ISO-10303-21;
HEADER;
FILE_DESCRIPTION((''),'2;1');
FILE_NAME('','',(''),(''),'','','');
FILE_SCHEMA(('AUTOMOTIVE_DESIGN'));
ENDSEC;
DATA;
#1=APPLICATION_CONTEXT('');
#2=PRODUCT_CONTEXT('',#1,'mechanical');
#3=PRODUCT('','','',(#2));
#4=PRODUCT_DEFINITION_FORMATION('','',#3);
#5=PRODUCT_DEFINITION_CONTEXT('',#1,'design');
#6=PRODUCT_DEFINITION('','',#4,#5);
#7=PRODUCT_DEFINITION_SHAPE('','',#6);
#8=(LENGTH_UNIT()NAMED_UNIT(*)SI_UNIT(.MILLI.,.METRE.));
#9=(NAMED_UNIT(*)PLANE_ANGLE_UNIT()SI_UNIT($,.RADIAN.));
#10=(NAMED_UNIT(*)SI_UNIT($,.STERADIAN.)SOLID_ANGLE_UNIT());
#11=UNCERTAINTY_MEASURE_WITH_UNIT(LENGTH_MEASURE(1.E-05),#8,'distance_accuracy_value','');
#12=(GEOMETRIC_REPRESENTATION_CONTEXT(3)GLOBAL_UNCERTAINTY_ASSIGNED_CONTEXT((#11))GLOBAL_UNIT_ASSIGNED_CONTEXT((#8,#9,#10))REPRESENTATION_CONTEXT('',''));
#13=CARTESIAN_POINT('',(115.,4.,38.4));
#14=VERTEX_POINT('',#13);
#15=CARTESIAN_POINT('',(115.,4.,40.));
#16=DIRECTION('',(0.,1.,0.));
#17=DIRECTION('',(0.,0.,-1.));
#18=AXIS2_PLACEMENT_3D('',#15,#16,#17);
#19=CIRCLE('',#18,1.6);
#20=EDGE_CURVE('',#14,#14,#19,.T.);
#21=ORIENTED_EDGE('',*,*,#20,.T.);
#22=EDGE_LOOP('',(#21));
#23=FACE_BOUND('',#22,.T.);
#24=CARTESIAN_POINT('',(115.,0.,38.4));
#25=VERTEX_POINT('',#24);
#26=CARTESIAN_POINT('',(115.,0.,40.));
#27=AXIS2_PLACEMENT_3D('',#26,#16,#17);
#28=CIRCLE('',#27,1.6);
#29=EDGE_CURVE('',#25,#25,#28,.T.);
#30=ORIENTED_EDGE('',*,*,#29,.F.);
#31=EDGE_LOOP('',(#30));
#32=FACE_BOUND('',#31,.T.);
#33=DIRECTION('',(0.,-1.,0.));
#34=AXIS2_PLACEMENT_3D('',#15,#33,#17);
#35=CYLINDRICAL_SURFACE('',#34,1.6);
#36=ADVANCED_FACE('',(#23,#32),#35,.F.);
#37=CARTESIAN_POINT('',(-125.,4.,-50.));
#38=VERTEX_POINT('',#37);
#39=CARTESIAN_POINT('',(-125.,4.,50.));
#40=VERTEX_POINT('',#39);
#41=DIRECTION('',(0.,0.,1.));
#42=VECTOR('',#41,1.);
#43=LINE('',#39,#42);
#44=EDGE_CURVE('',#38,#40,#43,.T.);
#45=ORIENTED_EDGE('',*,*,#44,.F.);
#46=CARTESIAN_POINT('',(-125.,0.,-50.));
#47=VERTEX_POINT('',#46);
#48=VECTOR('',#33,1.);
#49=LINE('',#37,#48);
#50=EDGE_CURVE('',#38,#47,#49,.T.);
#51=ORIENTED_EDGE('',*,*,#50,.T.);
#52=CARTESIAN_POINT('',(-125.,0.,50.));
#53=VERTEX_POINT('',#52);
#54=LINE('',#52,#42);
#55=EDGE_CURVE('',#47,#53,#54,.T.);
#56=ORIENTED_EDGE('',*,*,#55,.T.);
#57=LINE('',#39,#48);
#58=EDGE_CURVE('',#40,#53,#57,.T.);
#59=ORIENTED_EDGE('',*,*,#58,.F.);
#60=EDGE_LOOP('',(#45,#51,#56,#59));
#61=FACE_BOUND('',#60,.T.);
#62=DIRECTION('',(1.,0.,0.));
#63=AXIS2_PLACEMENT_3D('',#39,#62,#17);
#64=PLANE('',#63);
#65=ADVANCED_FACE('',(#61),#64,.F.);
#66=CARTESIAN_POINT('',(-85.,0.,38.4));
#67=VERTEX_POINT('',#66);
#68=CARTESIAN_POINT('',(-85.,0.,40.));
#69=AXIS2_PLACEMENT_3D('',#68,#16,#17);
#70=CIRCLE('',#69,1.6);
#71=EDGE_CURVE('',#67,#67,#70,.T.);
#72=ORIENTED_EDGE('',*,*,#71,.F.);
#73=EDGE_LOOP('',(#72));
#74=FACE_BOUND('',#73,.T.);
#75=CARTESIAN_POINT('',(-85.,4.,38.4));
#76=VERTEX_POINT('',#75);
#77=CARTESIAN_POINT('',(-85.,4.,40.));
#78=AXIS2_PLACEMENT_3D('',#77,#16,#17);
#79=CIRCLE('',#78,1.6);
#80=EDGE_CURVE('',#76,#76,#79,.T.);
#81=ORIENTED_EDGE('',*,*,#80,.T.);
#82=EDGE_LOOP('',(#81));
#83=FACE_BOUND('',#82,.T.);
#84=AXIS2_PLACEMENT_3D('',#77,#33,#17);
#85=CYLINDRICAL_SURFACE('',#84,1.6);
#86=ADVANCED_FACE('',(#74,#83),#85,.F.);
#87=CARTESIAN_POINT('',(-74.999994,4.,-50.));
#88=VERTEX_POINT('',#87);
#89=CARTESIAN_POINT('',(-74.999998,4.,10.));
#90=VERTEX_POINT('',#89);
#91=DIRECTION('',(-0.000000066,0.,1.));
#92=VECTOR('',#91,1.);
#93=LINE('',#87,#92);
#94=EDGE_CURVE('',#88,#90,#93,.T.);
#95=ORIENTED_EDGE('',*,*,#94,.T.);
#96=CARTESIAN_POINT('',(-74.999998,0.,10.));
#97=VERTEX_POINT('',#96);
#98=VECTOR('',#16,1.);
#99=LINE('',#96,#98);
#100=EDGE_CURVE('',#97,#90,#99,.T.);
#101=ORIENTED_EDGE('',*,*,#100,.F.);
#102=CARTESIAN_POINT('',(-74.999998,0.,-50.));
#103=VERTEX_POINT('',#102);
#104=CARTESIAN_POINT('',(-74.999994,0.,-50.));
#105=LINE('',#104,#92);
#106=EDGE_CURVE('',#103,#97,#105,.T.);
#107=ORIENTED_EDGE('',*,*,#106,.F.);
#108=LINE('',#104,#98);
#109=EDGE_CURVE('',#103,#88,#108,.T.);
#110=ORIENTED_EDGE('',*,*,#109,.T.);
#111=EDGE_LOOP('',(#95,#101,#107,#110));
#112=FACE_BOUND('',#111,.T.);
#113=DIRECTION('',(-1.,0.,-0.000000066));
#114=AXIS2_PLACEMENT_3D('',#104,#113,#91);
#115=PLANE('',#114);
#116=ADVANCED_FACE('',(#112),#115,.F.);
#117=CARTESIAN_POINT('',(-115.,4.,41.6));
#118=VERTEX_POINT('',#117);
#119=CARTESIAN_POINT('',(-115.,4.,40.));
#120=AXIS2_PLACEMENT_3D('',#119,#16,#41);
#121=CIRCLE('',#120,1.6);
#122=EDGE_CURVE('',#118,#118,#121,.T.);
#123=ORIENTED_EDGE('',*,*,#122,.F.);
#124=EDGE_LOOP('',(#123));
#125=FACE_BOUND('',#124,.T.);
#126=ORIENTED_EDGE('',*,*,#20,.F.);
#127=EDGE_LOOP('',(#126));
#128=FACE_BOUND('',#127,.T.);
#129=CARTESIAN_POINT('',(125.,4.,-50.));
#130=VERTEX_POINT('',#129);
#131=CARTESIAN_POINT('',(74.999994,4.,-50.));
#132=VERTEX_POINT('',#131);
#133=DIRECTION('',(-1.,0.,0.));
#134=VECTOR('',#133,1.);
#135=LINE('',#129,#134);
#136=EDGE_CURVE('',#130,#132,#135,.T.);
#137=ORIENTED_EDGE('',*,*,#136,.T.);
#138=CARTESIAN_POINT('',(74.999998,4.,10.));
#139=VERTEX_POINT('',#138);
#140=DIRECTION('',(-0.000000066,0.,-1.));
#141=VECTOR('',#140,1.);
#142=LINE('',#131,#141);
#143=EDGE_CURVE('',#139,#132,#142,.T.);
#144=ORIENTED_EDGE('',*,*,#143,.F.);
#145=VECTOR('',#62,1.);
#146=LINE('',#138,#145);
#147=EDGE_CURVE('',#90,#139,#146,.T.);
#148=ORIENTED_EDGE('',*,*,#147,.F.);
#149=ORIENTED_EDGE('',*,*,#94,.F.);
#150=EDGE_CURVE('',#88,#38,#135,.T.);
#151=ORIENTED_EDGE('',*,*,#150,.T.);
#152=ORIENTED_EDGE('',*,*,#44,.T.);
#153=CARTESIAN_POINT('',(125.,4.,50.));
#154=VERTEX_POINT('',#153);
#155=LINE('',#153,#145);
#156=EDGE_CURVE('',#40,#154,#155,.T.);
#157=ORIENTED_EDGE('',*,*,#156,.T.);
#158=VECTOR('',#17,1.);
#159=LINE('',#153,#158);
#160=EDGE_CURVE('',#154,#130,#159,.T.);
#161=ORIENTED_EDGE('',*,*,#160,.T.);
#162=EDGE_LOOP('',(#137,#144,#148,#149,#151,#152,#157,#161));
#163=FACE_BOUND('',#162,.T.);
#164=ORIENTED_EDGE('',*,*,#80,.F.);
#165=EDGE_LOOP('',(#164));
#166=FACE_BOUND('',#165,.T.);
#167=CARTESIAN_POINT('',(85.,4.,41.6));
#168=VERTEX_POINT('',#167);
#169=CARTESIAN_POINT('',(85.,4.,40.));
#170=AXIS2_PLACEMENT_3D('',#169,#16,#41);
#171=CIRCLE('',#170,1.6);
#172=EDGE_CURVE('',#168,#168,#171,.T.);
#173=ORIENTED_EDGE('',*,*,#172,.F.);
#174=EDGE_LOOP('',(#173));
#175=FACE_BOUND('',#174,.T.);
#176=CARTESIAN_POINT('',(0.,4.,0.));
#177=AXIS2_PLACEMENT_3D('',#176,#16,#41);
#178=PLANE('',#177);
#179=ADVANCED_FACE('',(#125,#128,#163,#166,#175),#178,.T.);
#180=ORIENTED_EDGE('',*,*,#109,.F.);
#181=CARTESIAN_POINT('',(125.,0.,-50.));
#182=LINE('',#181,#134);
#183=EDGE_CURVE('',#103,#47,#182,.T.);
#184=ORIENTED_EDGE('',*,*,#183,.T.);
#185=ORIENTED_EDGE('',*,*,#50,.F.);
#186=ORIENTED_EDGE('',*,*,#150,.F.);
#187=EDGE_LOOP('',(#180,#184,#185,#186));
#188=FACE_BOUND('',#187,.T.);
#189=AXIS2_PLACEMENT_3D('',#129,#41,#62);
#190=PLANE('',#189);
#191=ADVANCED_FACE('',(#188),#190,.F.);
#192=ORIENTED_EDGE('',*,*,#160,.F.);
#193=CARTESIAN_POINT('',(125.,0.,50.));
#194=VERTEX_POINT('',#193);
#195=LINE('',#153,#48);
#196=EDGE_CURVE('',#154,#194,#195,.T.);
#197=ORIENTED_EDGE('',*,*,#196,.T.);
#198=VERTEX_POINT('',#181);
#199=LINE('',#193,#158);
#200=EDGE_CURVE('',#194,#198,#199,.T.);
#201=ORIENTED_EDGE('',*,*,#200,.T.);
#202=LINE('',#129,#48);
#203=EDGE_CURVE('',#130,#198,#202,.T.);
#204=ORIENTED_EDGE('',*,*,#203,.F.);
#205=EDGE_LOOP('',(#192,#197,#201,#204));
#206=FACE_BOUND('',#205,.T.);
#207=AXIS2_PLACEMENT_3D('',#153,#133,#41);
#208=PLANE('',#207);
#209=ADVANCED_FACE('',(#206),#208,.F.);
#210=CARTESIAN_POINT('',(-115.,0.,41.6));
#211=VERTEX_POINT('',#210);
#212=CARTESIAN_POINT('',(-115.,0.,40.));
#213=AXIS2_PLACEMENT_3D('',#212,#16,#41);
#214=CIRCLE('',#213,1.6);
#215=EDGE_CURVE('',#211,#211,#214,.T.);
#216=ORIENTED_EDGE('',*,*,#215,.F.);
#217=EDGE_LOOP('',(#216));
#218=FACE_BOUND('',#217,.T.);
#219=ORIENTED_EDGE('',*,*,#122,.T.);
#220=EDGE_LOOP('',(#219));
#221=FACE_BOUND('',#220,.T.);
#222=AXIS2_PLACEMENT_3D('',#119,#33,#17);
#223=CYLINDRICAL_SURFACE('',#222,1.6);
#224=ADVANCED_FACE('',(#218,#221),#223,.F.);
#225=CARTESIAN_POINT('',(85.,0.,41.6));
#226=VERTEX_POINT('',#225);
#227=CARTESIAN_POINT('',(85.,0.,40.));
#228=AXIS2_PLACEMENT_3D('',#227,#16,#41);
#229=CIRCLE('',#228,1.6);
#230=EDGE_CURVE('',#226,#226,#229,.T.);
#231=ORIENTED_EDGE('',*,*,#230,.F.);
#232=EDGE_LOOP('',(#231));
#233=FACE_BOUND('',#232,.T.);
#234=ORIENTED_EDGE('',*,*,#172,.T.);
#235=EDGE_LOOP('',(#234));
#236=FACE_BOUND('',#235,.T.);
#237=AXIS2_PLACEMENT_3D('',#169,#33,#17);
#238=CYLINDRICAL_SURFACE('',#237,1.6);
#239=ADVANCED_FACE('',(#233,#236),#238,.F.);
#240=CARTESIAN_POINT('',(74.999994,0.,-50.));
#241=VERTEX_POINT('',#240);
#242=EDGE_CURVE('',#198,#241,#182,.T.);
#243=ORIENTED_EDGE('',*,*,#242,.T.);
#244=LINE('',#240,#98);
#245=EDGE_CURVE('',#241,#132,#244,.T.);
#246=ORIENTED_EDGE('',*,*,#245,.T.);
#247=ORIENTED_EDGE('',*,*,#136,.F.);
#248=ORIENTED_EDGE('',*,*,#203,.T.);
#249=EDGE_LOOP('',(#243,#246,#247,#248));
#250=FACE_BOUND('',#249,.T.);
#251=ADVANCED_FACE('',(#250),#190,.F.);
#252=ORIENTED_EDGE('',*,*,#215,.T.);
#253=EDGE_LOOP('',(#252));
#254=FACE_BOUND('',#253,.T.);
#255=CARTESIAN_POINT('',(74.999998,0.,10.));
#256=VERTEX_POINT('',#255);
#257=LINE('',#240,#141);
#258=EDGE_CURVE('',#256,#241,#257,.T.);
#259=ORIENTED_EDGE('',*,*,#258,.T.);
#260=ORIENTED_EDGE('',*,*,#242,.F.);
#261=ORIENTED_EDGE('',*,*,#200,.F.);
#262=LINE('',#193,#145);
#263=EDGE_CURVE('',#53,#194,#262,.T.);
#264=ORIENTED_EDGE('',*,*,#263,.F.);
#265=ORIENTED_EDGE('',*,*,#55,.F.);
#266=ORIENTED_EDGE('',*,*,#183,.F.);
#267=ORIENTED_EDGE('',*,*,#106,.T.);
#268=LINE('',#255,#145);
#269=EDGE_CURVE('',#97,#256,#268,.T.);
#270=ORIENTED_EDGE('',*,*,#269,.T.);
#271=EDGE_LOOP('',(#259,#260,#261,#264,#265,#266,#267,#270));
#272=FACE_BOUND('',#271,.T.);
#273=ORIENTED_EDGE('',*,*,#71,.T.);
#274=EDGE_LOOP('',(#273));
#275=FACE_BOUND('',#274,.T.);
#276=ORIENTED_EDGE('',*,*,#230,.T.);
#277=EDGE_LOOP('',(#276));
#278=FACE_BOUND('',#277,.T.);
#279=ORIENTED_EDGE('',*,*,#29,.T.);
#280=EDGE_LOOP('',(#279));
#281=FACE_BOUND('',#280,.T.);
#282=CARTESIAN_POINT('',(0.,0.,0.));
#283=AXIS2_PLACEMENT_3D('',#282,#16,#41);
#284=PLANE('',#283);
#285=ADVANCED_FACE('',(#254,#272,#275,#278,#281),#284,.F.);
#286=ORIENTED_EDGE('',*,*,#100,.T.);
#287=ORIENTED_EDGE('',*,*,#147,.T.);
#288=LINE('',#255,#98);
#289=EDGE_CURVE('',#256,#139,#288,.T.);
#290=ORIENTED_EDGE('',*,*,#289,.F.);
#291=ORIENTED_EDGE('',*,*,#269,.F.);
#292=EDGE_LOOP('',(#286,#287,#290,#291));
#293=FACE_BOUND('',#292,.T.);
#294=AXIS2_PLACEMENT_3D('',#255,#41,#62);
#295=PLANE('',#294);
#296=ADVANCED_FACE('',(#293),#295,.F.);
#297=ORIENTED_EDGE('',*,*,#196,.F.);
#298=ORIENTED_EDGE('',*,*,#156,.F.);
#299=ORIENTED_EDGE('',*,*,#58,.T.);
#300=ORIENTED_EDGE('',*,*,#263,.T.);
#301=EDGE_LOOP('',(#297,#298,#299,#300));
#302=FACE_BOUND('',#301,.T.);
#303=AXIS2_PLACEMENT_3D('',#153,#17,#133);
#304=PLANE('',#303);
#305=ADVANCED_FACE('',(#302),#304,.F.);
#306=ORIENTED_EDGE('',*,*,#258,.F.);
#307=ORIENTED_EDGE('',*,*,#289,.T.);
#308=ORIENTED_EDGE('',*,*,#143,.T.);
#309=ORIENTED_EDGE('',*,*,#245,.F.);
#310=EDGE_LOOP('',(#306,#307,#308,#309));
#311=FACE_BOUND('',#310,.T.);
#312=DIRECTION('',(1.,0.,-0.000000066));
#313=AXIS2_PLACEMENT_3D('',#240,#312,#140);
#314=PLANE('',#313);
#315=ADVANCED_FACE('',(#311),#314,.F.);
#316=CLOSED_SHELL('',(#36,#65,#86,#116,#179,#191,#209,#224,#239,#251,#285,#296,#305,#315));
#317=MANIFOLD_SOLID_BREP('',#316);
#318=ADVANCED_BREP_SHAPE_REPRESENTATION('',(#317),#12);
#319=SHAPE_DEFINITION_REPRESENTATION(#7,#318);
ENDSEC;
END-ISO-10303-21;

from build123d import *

# Parameters (mm, degrees)
SKETCH_1_W          = 250
SKETCH_1_H          = 100
SKETCH_1_R          = 1.6
EXTRUDE_1_DEPTH     = 4
CUT_EXTRUDE_1_DEPTH = 5


with BuildPart() as part:
    # 草图1 → 凸台-拉伸1 (new body)
    with BuildSketch(Plane(origin=(0, 0, 0), x_dir=(1, 0, 0), z_dir=(0, 1, 0))):
        Rectangle(SKETCH_1_W, SKETCH_1_H)
        with Locations((-115, -40)):
            Circle(SKETCH_1_R, mode=Mode.SUBTRACT)
        with Locations((-85, -40)):
            Circle(SKETCH_1_R, mode=Mode.SUBTRACT)
        with Locations((85, -40)):
            Circle(SKETCH_1_R, mode=Mode.SUBTRACT)
        with Locations((115, -40)):
            Circle(SKETCH_1_R, mode=Mode.SUBTRACT)
    extrude(amount=EXTRUDE_1_DEPTH)

    # 草图2 → 切除-拉伸1 (cut, through all)
    with BuildSketch(Plane(origin=(0, 4, 0), x_dir=(1, 0, 0), z_dir=(0, 1, 0))):
        Polygon((74.999994093, 50), (74.999998028, -10), (-74.999998028, -10), (-74.999994093, 50), align=None)
    extrude(amount=-CUT_EXTRUDE_1_DEPTH, mode=Mode.SUBTRACT)


solid = part.part
